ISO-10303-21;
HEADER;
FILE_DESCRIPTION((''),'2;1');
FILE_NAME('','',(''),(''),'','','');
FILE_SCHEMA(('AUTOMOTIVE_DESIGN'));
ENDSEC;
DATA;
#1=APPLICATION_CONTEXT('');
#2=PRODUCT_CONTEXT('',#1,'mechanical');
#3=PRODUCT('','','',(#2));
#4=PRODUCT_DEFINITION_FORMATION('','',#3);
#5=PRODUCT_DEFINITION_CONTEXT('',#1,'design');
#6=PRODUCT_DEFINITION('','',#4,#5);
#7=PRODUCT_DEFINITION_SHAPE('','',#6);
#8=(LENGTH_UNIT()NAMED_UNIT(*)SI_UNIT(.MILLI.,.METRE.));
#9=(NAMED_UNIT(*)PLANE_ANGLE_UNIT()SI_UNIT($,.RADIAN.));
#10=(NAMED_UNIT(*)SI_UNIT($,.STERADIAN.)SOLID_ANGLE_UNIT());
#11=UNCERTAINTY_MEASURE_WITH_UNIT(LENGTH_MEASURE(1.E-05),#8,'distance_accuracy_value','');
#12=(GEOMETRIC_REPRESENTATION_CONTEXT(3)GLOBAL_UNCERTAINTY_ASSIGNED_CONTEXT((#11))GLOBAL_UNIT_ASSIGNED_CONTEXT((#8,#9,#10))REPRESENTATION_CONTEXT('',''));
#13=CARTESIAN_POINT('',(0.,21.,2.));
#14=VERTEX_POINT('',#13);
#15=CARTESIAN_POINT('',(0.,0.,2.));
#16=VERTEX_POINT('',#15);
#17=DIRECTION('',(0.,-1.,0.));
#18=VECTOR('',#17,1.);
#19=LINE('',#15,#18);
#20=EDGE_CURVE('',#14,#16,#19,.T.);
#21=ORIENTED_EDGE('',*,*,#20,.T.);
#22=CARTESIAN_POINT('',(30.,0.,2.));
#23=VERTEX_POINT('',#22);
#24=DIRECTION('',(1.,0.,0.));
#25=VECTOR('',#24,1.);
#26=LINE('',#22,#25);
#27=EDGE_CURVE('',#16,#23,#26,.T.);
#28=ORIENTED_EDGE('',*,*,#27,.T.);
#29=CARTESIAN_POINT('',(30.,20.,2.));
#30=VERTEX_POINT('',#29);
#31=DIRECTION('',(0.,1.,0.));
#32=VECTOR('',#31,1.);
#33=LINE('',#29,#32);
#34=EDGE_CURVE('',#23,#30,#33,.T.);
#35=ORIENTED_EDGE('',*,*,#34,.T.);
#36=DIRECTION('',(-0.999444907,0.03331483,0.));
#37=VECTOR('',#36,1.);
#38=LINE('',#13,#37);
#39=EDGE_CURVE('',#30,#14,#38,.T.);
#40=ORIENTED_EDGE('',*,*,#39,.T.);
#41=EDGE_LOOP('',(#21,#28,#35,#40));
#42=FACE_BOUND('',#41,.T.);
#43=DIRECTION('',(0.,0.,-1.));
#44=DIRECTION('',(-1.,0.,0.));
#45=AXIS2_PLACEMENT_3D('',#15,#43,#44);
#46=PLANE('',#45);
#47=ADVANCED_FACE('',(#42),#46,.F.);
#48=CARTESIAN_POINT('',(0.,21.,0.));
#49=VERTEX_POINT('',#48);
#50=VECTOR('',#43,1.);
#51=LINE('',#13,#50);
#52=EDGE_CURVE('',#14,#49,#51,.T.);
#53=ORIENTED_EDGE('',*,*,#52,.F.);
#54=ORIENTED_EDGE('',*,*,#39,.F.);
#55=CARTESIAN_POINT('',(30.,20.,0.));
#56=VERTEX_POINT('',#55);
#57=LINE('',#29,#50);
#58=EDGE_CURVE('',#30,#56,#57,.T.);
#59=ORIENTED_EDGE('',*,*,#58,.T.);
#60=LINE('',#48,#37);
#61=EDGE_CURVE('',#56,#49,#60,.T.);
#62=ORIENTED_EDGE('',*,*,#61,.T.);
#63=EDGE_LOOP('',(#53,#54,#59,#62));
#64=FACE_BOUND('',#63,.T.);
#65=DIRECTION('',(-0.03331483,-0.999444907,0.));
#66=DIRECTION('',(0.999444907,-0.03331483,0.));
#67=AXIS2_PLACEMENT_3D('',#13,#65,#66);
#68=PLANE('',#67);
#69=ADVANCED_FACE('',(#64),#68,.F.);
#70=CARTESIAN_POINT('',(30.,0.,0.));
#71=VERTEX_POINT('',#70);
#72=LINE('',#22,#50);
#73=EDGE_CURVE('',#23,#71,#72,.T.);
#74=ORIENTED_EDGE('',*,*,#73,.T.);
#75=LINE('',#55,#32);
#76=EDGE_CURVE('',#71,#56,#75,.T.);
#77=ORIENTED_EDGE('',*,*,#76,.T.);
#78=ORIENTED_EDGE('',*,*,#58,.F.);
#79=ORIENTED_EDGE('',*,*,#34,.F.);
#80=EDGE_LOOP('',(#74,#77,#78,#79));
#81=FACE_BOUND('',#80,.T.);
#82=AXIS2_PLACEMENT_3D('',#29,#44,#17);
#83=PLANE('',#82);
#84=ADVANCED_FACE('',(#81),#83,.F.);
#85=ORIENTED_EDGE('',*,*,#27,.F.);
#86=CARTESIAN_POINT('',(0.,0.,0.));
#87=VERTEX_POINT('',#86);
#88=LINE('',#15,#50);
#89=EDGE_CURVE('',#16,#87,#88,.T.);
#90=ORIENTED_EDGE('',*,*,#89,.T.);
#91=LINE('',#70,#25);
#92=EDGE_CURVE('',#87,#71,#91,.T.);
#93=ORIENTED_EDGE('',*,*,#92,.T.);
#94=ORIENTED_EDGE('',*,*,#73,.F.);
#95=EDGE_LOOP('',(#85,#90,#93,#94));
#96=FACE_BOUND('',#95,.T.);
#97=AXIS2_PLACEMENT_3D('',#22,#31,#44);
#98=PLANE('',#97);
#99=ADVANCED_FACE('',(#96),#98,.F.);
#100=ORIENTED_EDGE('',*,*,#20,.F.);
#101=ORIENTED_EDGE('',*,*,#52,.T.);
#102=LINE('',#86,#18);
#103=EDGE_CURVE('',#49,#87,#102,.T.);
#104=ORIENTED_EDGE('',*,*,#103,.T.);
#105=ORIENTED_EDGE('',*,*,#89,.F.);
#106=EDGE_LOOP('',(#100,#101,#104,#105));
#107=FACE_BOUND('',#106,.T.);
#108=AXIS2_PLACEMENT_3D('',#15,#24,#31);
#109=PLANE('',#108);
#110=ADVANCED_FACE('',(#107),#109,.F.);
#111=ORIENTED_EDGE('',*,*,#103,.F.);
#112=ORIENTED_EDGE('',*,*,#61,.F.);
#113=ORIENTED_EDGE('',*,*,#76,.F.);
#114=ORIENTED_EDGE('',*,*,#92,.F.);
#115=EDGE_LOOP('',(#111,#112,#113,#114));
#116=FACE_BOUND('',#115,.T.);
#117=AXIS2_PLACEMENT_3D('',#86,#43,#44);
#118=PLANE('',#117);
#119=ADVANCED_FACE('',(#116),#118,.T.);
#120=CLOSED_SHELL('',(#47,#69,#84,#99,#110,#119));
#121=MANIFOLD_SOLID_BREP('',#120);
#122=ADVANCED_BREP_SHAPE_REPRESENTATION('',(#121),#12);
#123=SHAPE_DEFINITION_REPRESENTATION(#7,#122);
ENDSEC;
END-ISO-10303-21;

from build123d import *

# Parameters (mm, degrees)
AUFSATZ_LINEAR_AUSTRAGEN1_DEPTH = 2


with BuildPart() as part:
    # Skizze1 → Aufsatz-Linear austragen1 (new body)
    with BuildSketch(Plane.XY):
        Polygon((0, 0), (0, 21), (30, 20), (30, 0), align=None)
    extrude(amount=AUFSATZ_LINEAR_AUSTRAGEN1_DEPTH)


solid = part.part
